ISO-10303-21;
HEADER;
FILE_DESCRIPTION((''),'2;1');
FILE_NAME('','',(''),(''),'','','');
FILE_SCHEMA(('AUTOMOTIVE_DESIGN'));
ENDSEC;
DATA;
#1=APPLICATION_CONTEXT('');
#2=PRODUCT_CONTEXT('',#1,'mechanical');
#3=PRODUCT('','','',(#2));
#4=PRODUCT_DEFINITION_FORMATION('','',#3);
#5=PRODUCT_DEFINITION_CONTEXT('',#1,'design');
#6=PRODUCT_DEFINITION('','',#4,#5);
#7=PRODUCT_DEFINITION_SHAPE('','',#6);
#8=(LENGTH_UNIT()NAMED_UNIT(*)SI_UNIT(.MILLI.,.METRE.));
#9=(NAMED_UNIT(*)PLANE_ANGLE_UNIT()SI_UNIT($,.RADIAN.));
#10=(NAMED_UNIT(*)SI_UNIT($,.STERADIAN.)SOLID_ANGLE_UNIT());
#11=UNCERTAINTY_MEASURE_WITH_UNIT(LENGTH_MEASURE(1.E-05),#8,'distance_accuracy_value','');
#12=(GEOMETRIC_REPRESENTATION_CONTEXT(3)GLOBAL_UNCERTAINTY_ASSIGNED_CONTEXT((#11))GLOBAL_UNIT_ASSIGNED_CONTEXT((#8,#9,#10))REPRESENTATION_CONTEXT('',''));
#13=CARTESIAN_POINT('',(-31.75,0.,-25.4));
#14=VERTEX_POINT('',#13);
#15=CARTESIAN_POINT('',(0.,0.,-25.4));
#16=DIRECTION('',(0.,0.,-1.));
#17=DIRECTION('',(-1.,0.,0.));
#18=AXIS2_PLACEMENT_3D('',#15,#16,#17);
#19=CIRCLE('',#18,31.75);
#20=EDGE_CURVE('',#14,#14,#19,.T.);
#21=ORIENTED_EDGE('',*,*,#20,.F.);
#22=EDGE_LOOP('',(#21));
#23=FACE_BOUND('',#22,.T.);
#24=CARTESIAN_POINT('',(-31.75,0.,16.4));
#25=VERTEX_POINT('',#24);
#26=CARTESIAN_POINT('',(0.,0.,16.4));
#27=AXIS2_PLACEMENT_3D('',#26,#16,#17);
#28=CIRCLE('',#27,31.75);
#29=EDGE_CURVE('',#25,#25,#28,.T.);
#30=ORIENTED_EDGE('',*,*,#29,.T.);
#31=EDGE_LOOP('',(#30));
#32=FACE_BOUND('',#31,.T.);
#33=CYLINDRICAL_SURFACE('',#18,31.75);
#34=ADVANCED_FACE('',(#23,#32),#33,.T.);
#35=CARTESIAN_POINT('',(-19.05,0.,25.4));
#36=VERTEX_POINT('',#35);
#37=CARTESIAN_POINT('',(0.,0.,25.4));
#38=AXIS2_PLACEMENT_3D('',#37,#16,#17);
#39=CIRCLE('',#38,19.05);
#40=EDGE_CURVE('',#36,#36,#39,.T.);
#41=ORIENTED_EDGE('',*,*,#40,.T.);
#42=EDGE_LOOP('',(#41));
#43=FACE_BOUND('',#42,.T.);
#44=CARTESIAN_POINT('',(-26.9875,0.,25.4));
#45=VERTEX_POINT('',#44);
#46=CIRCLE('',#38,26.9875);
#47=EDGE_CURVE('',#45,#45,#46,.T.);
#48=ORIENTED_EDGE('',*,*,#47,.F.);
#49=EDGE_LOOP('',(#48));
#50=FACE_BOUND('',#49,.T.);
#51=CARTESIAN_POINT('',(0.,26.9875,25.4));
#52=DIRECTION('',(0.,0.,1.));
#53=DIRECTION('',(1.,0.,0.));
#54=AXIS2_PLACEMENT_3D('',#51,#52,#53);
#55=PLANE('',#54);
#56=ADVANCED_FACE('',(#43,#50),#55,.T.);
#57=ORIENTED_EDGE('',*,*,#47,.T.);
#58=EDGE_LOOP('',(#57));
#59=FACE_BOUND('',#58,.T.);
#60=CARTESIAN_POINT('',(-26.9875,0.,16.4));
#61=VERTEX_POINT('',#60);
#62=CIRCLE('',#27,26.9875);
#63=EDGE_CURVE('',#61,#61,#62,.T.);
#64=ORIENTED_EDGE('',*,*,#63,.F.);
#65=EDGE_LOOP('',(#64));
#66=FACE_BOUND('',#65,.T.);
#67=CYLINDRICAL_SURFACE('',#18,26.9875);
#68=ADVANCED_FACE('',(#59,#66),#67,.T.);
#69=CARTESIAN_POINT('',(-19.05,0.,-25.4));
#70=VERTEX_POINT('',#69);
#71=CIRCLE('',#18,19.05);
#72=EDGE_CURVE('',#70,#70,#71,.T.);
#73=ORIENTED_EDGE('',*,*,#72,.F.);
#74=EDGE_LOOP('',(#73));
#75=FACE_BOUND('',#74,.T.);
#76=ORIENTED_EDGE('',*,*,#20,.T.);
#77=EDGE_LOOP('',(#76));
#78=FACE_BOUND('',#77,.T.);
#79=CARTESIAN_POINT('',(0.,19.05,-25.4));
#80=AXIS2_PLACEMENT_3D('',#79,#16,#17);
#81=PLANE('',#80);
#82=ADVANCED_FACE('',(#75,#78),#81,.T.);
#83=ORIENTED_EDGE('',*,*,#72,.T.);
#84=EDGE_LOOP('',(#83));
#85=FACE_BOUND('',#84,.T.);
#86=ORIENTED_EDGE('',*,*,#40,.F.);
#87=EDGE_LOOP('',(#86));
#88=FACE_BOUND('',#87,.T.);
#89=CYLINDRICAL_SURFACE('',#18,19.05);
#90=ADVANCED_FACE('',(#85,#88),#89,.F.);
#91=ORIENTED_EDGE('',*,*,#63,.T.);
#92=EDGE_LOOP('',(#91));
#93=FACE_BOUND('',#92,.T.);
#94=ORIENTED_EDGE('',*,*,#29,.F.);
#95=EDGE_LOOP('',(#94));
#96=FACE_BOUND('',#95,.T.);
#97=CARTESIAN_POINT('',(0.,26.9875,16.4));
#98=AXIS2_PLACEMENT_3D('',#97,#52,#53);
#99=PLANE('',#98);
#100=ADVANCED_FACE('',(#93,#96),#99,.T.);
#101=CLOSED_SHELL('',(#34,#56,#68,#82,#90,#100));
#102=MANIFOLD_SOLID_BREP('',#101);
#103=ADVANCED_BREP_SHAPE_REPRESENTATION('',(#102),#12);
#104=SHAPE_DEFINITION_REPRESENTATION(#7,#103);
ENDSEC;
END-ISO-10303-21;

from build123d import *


with BuildPart() as part:
    # Sketch1 → Revolve1 (revolve)
    with BuildSketch(Plane(origin=(0, 0, 0), x_dir=(0, 0, -1), z_dir=(1, 0, 0))):
        Polygon((-25.4, 26.9875), (-16.4, 26.9875), (-16.4, 31.75), (25.4, 31.75), (25.4, 19.05), (-25.4, 19.05), align=None)
    revolve(axis=Axis((0, 0, -25.4), (0, 0, 1)))


solid = part.part
